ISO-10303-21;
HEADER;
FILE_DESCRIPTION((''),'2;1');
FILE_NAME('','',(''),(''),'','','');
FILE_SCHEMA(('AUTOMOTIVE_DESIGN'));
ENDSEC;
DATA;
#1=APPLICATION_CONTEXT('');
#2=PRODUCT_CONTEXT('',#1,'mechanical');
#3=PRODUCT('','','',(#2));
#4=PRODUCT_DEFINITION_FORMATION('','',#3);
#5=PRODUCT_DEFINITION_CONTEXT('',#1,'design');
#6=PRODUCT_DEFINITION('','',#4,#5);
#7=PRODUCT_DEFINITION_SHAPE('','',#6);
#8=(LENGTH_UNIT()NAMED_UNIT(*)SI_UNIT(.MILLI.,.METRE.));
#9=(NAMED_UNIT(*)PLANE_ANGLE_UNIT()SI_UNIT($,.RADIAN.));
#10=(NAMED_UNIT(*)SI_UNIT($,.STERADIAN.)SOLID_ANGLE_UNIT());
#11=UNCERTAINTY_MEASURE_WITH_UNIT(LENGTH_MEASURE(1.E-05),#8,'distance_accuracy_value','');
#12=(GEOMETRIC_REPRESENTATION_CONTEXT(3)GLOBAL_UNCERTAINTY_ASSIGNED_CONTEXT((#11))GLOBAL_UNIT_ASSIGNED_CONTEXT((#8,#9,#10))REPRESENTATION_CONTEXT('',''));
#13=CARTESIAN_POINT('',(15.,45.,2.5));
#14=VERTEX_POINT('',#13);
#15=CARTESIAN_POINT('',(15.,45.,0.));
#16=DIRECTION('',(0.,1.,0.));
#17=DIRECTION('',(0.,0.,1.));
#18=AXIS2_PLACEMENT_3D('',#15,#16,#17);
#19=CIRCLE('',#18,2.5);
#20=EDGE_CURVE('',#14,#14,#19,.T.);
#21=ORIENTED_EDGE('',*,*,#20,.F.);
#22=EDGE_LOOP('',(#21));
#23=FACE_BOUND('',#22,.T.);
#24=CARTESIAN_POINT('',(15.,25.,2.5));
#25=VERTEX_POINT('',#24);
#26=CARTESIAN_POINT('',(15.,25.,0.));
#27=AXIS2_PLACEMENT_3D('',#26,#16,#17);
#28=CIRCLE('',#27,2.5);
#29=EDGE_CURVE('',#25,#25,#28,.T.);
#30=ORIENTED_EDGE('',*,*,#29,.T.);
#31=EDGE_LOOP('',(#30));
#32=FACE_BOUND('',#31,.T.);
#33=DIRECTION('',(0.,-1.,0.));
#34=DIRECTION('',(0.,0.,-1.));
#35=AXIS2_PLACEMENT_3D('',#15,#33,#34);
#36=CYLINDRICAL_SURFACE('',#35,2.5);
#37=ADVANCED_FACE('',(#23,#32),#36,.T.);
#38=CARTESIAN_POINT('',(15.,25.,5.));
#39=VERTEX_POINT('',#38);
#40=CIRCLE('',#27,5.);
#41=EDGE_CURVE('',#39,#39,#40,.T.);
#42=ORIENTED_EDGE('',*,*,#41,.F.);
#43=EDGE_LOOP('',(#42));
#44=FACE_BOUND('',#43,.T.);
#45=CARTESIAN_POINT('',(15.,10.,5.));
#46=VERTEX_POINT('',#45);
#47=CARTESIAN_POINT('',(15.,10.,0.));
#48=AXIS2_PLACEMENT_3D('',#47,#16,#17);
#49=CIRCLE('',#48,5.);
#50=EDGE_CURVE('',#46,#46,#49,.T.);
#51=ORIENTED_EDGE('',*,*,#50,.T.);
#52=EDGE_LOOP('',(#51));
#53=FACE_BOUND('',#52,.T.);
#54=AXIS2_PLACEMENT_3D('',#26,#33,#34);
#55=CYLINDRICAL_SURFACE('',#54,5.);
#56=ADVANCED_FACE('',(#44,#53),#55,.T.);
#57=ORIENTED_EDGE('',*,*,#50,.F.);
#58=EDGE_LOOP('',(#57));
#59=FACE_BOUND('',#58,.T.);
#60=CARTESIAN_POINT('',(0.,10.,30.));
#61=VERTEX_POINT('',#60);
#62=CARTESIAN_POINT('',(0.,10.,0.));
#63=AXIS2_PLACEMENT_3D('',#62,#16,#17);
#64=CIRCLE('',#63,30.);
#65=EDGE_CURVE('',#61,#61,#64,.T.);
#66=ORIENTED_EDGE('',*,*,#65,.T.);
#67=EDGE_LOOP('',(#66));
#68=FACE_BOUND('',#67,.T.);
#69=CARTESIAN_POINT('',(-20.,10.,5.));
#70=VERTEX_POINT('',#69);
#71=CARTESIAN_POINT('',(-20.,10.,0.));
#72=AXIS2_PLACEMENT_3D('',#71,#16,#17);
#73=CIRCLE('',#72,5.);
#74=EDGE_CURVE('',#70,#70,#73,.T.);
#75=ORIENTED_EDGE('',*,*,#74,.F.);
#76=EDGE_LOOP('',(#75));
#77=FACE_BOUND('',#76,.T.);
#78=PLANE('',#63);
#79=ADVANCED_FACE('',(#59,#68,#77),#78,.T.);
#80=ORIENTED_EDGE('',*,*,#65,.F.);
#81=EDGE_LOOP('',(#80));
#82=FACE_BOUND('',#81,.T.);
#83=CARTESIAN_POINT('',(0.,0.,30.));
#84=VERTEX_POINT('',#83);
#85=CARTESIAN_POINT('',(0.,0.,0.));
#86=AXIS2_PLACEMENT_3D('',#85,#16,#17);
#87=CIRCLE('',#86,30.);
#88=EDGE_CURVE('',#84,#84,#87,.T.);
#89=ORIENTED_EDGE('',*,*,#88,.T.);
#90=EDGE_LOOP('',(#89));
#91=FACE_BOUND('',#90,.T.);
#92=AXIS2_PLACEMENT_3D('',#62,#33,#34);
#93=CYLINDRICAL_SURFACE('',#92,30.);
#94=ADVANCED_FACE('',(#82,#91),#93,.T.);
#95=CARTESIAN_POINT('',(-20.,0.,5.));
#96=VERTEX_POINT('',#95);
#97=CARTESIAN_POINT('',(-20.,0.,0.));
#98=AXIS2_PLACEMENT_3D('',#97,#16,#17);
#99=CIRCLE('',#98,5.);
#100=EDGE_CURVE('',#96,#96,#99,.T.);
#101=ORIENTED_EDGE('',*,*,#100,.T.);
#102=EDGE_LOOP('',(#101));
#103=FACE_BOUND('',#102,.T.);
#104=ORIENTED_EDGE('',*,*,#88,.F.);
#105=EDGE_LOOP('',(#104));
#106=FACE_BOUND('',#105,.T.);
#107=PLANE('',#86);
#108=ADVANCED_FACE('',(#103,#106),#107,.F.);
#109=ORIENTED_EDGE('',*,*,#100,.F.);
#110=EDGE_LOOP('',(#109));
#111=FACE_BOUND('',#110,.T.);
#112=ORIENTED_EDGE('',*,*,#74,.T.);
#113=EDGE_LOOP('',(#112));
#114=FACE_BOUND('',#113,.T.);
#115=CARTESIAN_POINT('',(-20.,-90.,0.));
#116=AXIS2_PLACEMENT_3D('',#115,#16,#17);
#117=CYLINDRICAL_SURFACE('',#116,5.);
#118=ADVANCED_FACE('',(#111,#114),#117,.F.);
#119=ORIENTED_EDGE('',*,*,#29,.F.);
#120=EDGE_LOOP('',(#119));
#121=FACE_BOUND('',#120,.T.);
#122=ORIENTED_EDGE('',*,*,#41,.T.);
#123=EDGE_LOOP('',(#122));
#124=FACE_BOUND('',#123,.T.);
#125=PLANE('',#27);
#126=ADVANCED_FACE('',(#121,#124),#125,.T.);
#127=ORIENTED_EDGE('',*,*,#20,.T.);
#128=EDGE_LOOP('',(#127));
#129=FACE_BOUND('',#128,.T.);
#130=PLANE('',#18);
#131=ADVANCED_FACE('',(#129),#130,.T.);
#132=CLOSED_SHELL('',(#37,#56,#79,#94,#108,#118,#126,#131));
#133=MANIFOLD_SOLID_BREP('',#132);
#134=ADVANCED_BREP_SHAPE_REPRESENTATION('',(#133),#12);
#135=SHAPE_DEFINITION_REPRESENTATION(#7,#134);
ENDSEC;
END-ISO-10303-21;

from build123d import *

# Parameters (mm, degrees)
SKETCH_1_R          = 30
EXTRUDE_1_DEPTH     = 10
SKETCH_2_R          = 5
EXTRUDE_2_DEPTH     = 15
SKETCH_3_R          = 2.5
EXTRUDE_3_DEPTH     = 20
SKETCH_5_R          = 5
CUT_EXTRUDE_2_DEPTH = 100


with BuildPart() as part:
    # 스케치1 → 보스-돌출1 (new body)
    with BuildSketch(Plane(origin=(0, 0, 0), x_dir=(1, 0, 0), z_dir=(0, 1, 0))):
        with Locations(Location((0, 0, 0), (0, 0, 270))):
            Circle(SKETCH_1_R)
    extrude(amount=EXTRUDE_1_DEPTH)

    # 스케치2 → 보스-돌출2 (add)
    with BuildSketch(Plane(origin=(0, 10, 0), x_dir=(1, 0, 0), z_dir=(0, 1, 0))):
        with Locations(Location((15, 0, 0), (0, 0, 270))):
            Circle(SKETCH_2_R)
    extrude(amount=EXTRUDE_2_DEPTH)

    # 스케치3 → 보스-돌출3 (add)
    with BuildSketch(Plane(origin=(0, 25, 0), x_dir=(1, 0, 0), z_dir=(0, 1, 0))):
        with Locations(Location((15, 0, 0), (0, 0, 270))):
            Circle(SKETCH_3_R)
    extrude(amount=EXTRUDE_3_DEPTH)

    # 스케치5 → 컷-돌출2 (cut)
    with BuildSketch(Plane(origin=(0, 10, 0), x_dir=(1, 0, 0), z_dir=(0, 1, 0))):
        with Locations(Location((-20, 0, 0), (0, 0, 270))):
            Circle(SKETCH_5_R)
    extrude(amount=-CUT_EXTRUDE_2_DEPTH, mode=Mode.SUBTRACT)


solid = part.part
